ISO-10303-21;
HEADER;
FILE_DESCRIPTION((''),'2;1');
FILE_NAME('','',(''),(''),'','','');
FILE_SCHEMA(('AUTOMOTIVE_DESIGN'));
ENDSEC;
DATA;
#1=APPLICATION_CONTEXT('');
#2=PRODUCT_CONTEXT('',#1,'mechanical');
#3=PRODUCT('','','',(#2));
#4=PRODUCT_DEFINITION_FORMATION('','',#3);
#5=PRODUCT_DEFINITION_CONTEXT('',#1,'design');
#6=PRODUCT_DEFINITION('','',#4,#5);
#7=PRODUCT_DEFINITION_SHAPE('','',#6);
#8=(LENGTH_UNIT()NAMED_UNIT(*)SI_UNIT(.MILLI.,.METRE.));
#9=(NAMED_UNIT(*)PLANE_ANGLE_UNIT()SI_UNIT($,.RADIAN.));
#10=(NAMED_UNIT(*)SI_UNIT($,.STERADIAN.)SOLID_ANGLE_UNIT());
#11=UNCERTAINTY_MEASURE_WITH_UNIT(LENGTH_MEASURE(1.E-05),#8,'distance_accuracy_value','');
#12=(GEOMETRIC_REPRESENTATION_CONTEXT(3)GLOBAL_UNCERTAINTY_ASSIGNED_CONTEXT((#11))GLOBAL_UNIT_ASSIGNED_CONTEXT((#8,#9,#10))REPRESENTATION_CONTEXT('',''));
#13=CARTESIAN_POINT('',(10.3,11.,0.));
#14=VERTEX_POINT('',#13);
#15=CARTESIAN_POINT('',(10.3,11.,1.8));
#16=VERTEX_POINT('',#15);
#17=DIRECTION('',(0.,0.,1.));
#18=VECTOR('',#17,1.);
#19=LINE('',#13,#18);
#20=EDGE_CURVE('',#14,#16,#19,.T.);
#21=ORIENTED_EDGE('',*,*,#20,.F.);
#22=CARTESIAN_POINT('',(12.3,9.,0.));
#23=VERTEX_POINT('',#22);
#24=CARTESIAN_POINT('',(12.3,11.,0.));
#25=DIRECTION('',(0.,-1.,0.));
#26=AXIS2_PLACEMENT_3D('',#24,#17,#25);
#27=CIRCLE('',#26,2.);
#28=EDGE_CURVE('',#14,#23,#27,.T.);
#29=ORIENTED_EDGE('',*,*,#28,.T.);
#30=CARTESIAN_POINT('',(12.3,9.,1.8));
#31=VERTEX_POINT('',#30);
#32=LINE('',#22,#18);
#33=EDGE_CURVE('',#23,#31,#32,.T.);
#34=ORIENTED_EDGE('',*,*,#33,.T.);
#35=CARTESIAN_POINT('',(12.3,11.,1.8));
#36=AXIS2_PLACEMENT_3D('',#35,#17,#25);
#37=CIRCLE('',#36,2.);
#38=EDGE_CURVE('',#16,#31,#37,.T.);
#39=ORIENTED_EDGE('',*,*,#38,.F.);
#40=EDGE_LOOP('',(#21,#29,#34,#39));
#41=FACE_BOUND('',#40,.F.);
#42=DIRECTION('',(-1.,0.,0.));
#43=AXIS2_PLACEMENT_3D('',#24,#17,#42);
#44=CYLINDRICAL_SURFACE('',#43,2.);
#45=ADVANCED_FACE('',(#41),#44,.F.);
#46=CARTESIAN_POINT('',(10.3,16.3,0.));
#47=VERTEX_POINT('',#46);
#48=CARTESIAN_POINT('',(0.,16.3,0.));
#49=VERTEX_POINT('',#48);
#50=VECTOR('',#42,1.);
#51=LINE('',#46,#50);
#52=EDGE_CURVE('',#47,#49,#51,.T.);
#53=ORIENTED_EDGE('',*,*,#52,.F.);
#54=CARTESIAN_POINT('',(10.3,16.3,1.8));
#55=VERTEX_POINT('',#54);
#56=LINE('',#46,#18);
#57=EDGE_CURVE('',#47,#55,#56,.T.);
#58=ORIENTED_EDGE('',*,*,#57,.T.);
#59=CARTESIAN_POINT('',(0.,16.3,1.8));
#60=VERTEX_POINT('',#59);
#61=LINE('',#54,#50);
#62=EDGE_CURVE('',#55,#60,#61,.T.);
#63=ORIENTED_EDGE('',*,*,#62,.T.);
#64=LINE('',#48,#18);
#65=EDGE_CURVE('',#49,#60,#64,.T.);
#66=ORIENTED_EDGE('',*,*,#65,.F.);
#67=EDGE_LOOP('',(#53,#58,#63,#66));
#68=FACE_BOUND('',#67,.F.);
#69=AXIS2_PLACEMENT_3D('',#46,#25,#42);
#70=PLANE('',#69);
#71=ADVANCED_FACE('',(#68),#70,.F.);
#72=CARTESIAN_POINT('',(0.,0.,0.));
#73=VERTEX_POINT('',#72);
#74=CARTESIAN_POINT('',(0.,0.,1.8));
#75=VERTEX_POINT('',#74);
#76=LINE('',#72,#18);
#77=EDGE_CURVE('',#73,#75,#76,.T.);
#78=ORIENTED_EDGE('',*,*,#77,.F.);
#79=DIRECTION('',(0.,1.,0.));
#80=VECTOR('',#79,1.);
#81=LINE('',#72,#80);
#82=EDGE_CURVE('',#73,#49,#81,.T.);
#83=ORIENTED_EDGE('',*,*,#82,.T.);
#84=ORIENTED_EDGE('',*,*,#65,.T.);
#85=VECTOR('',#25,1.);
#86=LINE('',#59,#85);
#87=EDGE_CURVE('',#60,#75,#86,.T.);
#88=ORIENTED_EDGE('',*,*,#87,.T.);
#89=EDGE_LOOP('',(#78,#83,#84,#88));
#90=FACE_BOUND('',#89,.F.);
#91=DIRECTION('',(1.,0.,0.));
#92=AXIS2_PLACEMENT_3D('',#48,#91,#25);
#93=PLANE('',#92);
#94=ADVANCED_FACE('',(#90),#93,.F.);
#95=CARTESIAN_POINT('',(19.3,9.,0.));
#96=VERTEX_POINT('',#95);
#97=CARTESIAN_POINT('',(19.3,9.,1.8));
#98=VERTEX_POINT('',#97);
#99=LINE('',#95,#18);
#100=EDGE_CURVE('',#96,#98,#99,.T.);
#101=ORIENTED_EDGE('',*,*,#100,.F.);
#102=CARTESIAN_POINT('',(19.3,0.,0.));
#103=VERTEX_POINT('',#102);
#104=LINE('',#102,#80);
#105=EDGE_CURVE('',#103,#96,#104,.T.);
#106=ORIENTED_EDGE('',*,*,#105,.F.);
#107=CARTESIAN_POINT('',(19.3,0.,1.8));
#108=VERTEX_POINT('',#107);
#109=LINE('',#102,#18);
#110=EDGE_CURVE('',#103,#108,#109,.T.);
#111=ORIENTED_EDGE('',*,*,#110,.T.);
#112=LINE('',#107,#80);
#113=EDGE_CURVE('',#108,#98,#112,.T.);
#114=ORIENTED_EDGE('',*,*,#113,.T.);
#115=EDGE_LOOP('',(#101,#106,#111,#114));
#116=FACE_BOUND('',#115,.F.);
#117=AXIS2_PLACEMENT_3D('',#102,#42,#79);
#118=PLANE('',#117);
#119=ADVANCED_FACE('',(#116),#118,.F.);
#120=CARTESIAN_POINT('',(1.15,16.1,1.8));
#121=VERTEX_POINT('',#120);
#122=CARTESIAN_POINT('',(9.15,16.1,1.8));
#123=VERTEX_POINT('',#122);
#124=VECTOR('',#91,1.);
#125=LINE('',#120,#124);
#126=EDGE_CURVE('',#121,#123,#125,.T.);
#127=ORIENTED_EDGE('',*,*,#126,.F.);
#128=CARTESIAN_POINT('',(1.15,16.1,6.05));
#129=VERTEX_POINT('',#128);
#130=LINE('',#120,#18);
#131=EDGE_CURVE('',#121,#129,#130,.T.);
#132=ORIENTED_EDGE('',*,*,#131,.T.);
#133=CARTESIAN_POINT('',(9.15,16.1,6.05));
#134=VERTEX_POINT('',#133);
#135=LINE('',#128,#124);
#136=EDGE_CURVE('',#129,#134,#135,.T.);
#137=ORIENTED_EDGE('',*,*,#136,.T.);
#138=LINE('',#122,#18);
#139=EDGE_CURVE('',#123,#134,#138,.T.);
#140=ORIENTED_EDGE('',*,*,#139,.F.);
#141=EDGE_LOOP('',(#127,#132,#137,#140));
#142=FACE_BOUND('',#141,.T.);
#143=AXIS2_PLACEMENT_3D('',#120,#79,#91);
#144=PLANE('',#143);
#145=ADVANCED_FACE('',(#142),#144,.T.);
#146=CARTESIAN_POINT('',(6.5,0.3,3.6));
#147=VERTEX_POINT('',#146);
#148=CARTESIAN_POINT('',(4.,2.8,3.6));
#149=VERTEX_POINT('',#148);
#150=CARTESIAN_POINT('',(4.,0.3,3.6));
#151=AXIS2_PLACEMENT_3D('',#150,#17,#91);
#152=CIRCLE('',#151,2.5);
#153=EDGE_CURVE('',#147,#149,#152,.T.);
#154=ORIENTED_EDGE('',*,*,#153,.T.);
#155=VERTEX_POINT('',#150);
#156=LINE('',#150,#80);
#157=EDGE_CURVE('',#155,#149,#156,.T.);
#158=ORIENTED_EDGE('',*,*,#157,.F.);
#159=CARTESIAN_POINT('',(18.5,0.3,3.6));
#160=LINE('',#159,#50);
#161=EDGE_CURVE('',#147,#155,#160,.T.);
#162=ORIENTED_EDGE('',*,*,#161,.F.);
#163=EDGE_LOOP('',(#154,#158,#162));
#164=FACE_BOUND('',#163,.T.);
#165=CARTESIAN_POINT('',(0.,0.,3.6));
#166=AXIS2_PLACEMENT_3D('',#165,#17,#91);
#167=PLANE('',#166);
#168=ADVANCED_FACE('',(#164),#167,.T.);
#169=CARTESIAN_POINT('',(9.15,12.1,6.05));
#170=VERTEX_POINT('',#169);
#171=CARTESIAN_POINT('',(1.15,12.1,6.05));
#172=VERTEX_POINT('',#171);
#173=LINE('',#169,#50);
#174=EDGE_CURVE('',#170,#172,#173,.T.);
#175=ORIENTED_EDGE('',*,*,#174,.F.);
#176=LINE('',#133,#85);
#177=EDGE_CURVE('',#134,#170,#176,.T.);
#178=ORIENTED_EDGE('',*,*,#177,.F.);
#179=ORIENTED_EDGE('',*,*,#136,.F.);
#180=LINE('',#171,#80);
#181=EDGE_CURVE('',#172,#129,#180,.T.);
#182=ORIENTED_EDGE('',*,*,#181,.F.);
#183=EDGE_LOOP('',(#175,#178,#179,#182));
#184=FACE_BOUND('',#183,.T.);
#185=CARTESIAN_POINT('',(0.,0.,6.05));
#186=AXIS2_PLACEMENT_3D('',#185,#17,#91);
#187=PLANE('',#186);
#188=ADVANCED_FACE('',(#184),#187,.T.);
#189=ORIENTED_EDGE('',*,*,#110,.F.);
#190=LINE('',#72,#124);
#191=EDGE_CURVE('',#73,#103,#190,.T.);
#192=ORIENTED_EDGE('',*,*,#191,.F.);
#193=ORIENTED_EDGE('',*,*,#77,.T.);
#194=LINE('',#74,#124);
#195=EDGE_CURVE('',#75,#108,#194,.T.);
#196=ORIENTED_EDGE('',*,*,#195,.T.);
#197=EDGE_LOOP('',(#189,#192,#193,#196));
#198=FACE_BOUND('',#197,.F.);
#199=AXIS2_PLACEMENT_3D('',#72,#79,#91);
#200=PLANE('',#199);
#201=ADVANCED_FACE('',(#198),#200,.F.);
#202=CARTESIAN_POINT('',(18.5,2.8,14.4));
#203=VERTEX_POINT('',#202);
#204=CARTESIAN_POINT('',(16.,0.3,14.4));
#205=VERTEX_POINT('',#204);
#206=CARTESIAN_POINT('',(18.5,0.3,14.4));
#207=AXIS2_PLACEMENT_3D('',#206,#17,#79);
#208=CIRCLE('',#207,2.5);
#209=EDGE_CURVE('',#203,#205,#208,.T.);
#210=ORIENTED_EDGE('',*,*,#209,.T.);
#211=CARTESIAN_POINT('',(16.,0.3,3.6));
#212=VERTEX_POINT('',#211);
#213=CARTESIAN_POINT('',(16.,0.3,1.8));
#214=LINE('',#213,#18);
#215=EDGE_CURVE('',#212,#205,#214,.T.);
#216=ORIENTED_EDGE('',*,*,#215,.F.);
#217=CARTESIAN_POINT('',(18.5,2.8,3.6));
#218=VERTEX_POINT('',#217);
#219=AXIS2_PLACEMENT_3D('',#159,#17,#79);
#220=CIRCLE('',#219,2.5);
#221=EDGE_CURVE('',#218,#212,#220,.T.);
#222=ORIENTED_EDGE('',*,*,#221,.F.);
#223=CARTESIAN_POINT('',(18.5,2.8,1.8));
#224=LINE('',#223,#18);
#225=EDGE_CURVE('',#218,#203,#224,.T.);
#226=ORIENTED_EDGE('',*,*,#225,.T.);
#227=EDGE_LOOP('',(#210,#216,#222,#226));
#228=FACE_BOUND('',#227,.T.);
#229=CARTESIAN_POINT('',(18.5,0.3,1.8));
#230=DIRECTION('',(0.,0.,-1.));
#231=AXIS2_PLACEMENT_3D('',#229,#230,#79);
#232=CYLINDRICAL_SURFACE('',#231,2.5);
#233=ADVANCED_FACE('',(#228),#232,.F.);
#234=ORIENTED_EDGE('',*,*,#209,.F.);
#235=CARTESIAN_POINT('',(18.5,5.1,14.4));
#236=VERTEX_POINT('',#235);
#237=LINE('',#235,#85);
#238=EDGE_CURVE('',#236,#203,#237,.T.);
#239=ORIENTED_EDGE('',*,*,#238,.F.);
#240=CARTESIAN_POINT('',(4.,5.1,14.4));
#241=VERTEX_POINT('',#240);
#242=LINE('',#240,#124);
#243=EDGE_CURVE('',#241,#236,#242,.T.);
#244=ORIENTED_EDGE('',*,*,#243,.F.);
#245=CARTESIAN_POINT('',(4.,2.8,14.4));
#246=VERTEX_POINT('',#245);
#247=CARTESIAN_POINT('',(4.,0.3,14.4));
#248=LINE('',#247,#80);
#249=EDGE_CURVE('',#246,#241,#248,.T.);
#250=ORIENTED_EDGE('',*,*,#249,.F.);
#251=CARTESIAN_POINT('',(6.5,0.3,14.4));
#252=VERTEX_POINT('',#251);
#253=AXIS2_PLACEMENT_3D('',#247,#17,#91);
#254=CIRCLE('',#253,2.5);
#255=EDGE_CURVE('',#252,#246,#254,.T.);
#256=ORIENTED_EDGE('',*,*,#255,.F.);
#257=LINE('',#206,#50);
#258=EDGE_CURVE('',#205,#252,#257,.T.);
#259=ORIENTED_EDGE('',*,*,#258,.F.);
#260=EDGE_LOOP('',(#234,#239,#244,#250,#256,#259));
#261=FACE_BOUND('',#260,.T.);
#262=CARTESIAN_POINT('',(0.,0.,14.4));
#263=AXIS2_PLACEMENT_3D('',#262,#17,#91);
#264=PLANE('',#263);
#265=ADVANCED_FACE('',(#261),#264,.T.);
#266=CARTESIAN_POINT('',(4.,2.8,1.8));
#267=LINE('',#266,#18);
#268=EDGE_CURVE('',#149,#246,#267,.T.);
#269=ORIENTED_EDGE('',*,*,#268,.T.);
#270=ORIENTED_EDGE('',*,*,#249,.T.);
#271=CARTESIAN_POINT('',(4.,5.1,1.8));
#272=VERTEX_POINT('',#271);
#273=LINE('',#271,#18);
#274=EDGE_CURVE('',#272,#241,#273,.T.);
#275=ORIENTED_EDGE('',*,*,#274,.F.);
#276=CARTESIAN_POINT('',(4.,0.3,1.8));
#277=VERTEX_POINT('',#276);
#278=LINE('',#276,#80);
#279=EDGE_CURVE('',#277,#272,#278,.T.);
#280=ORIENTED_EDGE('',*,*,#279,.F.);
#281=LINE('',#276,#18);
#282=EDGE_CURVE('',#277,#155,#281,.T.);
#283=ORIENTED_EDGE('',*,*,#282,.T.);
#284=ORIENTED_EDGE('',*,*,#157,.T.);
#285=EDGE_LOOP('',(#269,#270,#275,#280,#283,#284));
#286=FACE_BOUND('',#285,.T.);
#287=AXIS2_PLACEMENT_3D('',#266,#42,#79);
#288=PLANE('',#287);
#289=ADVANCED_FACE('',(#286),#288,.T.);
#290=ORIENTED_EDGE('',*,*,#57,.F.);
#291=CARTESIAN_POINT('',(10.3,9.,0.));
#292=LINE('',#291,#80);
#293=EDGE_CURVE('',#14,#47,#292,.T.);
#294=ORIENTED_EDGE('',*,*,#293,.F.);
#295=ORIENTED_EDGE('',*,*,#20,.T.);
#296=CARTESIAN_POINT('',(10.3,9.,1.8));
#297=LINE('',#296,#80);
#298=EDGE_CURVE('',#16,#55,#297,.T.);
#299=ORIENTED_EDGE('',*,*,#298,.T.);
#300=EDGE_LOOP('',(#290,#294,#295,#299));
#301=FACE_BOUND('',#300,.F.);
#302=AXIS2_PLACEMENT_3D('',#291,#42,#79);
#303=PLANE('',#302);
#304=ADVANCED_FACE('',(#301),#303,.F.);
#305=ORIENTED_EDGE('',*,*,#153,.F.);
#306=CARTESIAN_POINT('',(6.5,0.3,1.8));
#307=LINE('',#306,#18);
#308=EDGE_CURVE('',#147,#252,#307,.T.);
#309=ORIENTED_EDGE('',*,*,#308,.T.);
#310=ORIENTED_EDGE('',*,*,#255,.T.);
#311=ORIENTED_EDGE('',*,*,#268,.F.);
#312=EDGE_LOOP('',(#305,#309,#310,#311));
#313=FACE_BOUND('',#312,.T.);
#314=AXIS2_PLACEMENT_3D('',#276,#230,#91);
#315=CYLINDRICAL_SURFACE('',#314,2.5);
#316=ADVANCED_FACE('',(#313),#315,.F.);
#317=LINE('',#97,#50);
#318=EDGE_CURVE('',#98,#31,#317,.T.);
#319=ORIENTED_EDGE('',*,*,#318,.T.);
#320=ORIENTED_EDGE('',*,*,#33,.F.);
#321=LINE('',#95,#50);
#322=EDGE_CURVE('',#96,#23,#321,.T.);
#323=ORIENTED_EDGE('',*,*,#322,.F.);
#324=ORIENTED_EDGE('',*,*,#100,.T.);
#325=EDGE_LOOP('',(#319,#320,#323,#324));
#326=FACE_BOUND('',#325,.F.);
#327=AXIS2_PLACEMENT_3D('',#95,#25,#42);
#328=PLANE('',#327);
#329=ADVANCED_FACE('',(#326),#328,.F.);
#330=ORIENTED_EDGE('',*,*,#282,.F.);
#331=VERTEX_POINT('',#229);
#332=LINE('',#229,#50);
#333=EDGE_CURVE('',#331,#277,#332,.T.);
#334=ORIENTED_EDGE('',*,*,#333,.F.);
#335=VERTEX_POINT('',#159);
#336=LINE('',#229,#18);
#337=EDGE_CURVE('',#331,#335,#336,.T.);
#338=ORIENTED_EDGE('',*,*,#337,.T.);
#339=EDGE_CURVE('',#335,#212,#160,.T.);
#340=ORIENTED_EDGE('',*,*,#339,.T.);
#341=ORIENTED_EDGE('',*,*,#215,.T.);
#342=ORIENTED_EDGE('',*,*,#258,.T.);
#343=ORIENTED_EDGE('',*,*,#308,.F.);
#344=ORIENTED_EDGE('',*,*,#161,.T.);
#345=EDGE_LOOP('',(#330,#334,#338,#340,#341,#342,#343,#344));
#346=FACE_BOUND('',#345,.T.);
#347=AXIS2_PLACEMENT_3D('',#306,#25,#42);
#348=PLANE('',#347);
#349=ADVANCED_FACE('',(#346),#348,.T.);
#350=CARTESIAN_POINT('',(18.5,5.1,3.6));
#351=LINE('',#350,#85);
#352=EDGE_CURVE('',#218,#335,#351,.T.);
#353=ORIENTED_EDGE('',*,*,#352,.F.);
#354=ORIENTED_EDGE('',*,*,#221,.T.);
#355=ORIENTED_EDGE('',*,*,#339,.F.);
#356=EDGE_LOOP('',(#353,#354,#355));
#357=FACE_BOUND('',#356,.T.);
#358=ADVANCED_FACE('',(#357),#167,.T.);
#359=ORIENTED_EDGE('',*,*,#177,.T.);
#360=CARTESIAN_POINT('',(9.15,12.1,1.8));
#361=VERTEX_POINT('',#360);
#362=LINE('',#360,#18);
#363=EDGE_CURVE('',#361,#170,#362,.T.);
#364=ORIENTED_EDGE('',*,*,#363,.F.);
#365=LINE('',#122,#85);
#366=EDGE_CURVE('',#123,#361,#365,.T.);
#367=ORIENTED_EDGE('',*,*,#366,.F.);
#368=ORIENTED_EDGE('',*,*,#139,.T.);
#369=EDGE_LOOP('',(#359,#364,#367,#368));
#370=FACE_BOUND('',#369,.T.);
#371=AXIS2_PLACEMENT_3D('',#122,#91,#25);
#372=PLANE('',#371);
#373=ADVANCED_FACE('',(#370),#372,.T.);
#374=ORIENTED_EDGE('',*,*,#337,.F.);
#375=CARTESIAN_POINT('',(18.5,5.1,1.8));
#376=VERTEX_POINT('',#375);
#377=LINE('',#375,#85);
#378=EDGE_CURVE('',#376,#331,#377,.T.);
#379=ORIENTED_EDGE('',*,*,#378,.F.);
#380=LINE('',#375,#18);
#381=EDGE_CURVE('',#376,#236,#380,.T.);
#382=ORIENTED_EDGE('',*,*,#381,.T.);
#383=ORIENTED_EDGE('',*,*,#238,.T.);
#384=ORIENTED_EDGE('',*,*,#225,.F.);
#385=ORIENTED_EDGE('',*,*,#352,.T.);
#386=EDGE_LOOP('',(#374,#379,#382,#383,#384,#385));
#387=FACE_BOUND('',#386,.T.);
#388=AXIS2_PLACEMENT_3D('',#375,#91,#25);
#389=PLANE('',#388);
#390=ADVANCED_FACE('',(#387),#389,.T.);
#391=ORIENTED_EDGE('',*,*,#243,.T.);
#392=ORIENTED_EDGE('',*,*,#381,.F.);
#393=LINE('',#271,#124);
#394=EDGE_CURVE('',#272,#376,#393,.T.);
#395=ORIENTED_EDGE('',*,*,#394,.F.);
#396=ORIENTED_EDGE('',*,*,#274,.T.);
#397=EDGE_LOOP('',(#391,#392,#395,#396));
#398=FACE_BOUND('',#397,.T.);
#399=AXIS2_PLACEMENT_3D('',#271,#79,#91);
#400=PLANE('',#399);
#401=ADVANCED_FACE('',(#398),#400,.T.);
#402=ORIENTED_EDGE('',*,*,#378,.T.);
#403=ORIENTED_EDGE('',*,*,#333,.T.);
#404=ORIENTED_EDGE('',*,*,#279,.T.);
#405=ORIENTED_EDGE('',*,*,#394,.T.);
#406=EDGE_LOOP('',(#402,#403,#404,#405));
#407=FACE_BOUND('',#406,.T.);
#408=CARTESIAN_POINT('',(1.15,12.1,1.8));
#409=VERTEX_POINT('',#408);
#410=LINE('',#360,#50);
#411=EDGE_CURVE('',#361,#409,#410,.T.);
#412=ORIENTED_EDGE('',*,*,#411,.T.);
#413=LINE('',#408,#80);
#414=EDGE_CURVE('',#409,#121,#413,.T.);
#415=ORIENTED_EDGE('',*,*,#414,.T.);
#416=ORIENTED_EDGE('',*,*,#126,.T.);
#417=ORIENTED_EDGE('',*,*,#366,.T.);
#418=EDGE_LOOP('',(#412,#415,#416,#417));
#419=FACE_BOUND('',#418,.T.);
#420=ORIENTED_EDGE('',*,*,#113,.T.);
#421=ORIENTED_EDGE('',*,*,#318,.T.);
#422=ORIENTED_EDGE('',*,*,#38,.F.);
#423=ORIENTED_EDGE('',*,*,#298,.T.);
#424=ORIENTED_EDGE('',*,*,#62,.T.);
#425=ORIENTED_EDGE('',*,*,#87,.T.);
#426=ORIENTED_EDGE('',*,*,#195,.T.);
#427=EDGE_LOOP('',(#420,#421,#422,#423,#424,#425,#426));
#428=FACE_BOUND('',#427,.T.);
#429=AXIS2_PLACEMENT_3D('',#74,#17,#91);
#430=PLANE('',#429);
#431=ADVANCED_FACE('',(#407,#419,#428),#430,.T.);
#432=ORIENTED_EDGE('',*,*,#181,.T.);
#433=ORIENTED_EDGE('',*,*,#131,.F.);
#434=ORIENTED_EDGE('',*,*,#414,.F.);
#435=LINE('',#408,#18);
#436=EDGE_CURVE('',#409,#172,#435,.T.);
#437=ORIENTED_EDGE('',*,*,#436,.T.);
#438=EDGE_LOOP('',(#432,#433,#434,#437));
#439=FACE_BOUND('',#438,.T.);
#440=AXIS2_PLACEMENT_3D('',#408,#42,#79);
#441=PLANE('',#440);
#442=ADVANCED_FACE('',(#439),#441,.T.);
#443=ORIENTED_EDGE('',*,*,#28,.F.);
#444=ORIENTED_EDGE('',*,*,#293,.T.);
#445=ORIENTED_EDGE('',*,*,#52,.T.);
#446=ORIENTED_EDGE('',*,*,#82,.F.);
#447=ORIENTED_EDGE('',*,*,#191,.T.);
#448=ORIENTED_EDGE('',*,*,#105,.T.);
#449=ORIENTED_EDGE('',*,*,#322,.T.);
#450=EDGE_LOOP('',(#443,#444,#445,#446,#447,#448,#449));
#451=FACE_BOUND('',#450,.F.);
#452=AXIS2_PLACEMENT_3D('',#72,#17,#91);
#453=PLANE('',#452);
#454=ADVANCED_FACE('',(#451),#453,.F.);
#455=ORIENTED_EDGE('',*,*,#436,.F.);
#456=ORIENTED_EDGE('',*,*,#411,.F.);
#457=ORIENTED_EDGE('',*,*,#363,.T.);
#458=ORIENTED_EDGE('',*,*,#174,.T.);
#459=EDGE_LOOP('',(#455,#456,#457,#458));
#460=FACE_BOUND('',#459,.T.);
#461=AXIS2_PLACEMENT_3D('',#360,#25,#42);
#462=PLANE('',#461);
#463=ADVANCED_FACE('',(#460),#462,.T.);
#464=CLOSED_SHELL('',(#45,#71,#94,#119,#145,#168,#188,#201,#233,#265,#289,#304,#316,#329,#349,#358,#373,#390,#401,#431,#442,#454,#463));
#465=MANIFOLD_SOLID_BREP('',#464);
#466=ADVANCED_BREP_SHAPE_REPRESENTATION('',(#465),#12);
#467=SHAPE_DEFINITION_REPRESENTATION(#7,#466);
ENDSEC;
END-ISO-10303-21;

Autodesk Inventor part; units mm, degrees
ref_plane "YZ Plane" through (0, 0, 0) normal (1, 0, 0) x (0, 1, 0)
ref_plane "XZ Plane" through (0, 0, 0) normal (0, 1, 0) x (-1, 0, 0)
ref_plane "XY Plane" through (0, 0, 0) normal (0, 0, 1) x (1, 0, 0)
sketch "스케치1" plane through (0, 0, 0) normal (0, 0, 1) x (1, 0, 0)
  line L0 (0, 0) -> (19.3, 0)
  line L1 (19.3, 0) -> (19.3, 9)
  line L2 (19.3, 9) -> (10.3, 9)
  line L3 (0, 9) -> (0, 0)
  line L4 (10.3, 9) -> (10.3, 16.3)
  line L5 (10.3, 16.3) -> (0, 16.3)
  line L6 (0, 16.3) -> (0, 9)
  dimension "d0" = 9
  dimension "d1" = 19.3
  dimension "d2" = 16.3
  dimension "d3" = 10.3
extrude "돌출1" add sketch "스케치1" along normal blind 1.8
fillet "모깎기1" radius 2 1 edges at (10.3, 9, 0.9)
sketch "스케치2" plane through (0, 0, 1.8) normal (0, 0, 1) x (1, 0, 0)
  line L0 (18.5, 0.3) -> (4, 0.3)
  line L1 (4, 0.3) -> (4, 5.1)
  line L2 (4, 5.1) -> (18.5, 5.1)
  line L3 (18.5, 5.1) -> (18.5, 0.3)
  line L4 (19.3, 0) -> (19.3, 9) projected
  line L5 (0, 0) -> (19.3, 0) projected
  line L6 (4, 2.8) -> (4, 2.8)
  line L7 (6.5, 0.3) -> (6.5, 0.3)
  line L8 (6.5, 0.3) -> (16, 0.3)
  line L9 (16, 0.3) -> (16, 0.3)
  line L10 (18.5, 2.8) -> (18.5, 2.8)
  arc A0 (6.5, 0.3) -> (4, 2.8) centre (4, 0.3) ccw
  arc A1 (18.5, 2.8) -> (16, 0.3) centre (18.5, 0.3) ccw
  point P0 (6.5, 2.8)
  point P1 (16, 2.8)
  dimension "d7" = 0.8
  dimension "d8" = 14.5
  dimension "d9" = 4.8
  dimension "d10" = 0.3
  dimension "d11" = 2.3
  dimension "d12" = 2.5
  dimension "d13" = 2.5
  dimension "d14" = 2.5
  dimension "d15" = 2.5
extrude "돌출2" add sketch "스케치2" along normal blind 12.6 contours L0 A0 L1 L2 L3 A1
extrude "돌출3" add sketch "스케치2" along normal blind 1.8 contours L0 A1 L3 | L0 L1 A0
sketch "스케치3" plane through (0, 0, 1.8) normal (0, 0, 1) x (1, 0, 0)
  line L0 (1.15, 16.1) -> (9.15, 16.1)
  line L1 (9.15, 16.1) -> (9.15, 12.1)
  line L2 (9.15, 12.1) -> (1.15, 12.1)
  line L3 (1.15, 12.1) -> (1.15, 16.1)
  line L4 (10.3, 16.3) -> (0, 16.3) projected
  point P0 (0, 0)
  point P1 (5.15, 16.1)
  point P2 (5.15, 16.3)
  dimension "d20" = 8
  dimension "d21" = 4
  dimension "d22" = 0.2
extrude "돌출4" add sketch "스케치3" along normal blind 4.25
properties part number "HDMI_Port"
